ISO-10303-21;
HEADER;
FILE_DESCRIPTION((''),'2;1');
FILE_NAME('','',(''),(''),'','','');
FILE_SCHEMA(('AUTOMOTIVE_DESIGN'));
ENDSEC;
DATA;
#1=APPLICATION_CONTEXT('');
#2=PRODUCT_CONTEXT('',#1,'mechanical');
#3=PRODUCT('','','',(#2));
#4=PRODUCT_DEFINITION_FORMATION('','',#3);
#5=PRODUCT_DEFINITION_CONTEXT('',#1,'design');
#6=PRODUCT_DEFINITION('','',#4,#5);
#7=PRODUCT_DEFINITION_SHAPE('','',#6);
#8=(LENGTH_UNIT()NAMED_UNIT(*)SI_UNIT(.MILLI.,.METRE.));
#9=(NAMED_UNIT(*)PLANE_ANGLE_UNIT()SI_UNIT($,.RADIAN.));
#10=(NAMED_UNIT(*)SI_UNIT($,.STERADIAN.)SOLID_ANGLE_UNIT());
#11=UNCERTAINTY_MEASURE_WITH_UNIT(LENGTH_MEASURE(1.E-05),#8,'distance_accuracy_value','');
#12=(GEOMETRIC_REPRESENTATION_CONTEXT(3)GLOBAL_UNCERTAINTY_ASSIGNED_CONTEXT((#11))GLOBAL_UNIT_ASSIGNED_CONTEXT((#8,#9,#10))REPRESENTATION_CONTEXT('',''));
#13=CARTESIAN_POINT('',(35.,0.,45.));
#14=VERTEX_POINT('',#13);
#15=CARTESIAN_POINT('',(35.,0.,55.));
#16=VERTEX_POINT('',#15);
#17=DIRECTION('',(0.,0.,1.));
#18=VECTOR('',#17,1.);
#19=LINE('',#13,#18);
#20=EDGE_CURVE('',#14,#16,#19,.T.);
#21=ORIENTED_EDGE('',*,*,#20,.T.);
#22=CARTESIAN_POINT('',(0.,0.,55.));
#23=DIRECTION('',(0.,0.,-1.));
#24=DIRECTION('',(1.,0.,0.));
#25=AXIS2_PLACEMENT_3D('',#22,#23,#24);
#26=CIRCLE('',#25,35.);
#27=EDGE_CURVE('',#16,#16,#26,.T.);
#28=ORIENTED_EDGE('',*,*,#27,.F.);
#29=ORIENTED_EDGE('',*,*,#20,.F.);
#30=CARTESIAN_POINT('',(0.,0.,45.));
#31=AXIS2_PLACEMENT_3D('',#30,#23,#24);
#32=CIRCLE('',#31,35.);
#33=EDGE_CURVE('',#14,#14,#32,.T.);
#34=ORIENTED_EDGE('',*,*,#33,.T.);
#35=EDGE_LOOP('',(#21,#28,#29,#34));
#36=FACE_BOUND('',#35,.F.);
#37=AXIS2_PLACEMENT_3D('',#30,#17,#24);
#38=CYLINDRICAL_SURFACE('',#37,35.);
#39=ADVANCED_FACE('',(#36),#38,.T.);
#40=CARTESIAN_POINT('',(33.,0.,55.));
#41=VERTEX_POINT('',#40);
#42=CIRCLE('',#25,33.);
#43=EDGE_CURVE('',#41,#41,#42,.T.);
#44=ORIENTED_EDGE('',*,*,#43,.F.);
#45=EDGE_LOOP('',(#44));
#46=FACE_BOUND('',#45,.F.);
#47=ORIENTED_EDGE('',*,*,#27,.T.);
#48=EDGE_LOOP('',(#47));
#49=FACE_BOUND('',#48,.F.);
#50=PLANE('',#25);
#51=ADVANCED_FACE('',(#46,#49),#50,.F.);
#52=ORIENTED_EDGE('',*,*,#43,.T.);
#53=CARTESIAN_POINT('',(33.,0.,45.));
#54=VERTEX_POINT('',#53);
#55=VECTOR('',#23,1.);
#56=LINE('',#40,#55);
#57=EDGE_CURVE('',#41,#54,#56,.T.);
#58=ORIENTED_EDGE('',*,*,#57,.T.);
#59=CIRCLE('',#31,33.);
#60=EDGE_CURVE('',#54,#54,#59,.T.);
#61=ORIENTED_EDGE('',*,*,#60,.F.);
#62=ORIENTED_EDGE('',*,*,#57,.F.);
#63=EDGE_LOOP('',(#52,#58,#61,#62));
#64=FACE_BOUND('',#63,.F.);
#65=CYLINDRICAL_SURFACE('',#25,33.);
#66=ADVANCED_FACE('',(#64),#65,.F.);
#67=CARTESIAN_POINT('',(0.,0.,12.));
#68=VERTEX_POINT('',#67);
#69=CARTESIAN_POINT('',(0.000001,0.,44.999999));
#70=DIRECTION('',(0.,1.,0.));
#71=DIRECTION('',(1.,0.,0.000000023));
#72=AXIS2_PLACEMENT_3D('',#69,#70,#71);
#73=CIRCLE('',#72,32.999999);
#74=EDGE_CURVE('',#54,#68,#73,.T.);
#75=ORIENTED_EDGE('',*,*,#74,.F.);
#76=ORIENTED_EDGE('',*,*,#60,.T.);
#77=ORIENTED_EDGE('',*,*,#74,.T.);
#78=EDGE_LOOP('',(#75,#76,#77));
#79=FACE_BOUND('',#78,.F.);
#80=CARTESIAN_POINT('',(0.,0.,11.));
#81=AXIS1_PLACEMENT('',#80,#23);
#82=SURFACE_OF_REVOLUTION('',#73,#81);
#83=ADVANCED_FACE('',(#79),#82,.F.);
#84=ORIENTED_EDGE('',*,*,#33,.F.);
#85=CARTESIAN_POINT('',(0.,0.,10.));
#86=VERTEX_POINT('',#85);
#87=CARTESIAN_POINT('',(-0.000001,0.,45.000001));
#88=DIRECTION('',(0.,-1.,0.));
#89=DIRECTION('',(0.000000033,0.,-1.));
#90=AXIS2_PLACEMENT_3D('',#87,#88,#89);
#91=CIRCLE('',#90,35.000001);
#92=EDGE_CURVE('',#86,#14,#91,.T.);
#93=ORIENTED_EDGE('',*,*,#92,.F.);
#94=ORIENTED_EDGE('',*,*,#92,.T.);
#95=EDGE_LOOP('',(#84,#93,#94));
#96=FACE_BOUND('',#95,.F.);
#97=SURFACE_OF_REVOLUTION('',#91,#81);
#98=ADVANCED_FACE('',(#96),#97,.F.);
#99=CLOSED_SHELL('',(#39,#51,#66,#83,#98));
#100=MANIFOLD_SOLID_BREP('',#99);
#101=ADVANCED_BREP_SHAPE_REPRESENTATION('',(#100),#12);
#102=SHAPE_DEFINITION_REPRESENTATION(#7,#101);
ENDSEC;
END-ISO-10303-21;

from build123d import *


with BuildPart() as f1:
    # F0 (on Front) → F1 (revolve)
    with BuildSketch(Plane.XZ):
        with BuildLine():
            Line((0, 12), (0, 10))
            ThreePointArc((0, 10), (24.748737, 20.251263), (35, 45))
            Line((35, 45), (35, 55))
            Line((35, 55), (33, 55))
            Line((33, 55), (33, 45))
            ThreePointArc((33, 45), (23.334524, 21.665476), (0, 12))
        make_face()
    revolve(axis=Axis((0, 0, 11), (0, 0, -1)))


solid = f1.part
